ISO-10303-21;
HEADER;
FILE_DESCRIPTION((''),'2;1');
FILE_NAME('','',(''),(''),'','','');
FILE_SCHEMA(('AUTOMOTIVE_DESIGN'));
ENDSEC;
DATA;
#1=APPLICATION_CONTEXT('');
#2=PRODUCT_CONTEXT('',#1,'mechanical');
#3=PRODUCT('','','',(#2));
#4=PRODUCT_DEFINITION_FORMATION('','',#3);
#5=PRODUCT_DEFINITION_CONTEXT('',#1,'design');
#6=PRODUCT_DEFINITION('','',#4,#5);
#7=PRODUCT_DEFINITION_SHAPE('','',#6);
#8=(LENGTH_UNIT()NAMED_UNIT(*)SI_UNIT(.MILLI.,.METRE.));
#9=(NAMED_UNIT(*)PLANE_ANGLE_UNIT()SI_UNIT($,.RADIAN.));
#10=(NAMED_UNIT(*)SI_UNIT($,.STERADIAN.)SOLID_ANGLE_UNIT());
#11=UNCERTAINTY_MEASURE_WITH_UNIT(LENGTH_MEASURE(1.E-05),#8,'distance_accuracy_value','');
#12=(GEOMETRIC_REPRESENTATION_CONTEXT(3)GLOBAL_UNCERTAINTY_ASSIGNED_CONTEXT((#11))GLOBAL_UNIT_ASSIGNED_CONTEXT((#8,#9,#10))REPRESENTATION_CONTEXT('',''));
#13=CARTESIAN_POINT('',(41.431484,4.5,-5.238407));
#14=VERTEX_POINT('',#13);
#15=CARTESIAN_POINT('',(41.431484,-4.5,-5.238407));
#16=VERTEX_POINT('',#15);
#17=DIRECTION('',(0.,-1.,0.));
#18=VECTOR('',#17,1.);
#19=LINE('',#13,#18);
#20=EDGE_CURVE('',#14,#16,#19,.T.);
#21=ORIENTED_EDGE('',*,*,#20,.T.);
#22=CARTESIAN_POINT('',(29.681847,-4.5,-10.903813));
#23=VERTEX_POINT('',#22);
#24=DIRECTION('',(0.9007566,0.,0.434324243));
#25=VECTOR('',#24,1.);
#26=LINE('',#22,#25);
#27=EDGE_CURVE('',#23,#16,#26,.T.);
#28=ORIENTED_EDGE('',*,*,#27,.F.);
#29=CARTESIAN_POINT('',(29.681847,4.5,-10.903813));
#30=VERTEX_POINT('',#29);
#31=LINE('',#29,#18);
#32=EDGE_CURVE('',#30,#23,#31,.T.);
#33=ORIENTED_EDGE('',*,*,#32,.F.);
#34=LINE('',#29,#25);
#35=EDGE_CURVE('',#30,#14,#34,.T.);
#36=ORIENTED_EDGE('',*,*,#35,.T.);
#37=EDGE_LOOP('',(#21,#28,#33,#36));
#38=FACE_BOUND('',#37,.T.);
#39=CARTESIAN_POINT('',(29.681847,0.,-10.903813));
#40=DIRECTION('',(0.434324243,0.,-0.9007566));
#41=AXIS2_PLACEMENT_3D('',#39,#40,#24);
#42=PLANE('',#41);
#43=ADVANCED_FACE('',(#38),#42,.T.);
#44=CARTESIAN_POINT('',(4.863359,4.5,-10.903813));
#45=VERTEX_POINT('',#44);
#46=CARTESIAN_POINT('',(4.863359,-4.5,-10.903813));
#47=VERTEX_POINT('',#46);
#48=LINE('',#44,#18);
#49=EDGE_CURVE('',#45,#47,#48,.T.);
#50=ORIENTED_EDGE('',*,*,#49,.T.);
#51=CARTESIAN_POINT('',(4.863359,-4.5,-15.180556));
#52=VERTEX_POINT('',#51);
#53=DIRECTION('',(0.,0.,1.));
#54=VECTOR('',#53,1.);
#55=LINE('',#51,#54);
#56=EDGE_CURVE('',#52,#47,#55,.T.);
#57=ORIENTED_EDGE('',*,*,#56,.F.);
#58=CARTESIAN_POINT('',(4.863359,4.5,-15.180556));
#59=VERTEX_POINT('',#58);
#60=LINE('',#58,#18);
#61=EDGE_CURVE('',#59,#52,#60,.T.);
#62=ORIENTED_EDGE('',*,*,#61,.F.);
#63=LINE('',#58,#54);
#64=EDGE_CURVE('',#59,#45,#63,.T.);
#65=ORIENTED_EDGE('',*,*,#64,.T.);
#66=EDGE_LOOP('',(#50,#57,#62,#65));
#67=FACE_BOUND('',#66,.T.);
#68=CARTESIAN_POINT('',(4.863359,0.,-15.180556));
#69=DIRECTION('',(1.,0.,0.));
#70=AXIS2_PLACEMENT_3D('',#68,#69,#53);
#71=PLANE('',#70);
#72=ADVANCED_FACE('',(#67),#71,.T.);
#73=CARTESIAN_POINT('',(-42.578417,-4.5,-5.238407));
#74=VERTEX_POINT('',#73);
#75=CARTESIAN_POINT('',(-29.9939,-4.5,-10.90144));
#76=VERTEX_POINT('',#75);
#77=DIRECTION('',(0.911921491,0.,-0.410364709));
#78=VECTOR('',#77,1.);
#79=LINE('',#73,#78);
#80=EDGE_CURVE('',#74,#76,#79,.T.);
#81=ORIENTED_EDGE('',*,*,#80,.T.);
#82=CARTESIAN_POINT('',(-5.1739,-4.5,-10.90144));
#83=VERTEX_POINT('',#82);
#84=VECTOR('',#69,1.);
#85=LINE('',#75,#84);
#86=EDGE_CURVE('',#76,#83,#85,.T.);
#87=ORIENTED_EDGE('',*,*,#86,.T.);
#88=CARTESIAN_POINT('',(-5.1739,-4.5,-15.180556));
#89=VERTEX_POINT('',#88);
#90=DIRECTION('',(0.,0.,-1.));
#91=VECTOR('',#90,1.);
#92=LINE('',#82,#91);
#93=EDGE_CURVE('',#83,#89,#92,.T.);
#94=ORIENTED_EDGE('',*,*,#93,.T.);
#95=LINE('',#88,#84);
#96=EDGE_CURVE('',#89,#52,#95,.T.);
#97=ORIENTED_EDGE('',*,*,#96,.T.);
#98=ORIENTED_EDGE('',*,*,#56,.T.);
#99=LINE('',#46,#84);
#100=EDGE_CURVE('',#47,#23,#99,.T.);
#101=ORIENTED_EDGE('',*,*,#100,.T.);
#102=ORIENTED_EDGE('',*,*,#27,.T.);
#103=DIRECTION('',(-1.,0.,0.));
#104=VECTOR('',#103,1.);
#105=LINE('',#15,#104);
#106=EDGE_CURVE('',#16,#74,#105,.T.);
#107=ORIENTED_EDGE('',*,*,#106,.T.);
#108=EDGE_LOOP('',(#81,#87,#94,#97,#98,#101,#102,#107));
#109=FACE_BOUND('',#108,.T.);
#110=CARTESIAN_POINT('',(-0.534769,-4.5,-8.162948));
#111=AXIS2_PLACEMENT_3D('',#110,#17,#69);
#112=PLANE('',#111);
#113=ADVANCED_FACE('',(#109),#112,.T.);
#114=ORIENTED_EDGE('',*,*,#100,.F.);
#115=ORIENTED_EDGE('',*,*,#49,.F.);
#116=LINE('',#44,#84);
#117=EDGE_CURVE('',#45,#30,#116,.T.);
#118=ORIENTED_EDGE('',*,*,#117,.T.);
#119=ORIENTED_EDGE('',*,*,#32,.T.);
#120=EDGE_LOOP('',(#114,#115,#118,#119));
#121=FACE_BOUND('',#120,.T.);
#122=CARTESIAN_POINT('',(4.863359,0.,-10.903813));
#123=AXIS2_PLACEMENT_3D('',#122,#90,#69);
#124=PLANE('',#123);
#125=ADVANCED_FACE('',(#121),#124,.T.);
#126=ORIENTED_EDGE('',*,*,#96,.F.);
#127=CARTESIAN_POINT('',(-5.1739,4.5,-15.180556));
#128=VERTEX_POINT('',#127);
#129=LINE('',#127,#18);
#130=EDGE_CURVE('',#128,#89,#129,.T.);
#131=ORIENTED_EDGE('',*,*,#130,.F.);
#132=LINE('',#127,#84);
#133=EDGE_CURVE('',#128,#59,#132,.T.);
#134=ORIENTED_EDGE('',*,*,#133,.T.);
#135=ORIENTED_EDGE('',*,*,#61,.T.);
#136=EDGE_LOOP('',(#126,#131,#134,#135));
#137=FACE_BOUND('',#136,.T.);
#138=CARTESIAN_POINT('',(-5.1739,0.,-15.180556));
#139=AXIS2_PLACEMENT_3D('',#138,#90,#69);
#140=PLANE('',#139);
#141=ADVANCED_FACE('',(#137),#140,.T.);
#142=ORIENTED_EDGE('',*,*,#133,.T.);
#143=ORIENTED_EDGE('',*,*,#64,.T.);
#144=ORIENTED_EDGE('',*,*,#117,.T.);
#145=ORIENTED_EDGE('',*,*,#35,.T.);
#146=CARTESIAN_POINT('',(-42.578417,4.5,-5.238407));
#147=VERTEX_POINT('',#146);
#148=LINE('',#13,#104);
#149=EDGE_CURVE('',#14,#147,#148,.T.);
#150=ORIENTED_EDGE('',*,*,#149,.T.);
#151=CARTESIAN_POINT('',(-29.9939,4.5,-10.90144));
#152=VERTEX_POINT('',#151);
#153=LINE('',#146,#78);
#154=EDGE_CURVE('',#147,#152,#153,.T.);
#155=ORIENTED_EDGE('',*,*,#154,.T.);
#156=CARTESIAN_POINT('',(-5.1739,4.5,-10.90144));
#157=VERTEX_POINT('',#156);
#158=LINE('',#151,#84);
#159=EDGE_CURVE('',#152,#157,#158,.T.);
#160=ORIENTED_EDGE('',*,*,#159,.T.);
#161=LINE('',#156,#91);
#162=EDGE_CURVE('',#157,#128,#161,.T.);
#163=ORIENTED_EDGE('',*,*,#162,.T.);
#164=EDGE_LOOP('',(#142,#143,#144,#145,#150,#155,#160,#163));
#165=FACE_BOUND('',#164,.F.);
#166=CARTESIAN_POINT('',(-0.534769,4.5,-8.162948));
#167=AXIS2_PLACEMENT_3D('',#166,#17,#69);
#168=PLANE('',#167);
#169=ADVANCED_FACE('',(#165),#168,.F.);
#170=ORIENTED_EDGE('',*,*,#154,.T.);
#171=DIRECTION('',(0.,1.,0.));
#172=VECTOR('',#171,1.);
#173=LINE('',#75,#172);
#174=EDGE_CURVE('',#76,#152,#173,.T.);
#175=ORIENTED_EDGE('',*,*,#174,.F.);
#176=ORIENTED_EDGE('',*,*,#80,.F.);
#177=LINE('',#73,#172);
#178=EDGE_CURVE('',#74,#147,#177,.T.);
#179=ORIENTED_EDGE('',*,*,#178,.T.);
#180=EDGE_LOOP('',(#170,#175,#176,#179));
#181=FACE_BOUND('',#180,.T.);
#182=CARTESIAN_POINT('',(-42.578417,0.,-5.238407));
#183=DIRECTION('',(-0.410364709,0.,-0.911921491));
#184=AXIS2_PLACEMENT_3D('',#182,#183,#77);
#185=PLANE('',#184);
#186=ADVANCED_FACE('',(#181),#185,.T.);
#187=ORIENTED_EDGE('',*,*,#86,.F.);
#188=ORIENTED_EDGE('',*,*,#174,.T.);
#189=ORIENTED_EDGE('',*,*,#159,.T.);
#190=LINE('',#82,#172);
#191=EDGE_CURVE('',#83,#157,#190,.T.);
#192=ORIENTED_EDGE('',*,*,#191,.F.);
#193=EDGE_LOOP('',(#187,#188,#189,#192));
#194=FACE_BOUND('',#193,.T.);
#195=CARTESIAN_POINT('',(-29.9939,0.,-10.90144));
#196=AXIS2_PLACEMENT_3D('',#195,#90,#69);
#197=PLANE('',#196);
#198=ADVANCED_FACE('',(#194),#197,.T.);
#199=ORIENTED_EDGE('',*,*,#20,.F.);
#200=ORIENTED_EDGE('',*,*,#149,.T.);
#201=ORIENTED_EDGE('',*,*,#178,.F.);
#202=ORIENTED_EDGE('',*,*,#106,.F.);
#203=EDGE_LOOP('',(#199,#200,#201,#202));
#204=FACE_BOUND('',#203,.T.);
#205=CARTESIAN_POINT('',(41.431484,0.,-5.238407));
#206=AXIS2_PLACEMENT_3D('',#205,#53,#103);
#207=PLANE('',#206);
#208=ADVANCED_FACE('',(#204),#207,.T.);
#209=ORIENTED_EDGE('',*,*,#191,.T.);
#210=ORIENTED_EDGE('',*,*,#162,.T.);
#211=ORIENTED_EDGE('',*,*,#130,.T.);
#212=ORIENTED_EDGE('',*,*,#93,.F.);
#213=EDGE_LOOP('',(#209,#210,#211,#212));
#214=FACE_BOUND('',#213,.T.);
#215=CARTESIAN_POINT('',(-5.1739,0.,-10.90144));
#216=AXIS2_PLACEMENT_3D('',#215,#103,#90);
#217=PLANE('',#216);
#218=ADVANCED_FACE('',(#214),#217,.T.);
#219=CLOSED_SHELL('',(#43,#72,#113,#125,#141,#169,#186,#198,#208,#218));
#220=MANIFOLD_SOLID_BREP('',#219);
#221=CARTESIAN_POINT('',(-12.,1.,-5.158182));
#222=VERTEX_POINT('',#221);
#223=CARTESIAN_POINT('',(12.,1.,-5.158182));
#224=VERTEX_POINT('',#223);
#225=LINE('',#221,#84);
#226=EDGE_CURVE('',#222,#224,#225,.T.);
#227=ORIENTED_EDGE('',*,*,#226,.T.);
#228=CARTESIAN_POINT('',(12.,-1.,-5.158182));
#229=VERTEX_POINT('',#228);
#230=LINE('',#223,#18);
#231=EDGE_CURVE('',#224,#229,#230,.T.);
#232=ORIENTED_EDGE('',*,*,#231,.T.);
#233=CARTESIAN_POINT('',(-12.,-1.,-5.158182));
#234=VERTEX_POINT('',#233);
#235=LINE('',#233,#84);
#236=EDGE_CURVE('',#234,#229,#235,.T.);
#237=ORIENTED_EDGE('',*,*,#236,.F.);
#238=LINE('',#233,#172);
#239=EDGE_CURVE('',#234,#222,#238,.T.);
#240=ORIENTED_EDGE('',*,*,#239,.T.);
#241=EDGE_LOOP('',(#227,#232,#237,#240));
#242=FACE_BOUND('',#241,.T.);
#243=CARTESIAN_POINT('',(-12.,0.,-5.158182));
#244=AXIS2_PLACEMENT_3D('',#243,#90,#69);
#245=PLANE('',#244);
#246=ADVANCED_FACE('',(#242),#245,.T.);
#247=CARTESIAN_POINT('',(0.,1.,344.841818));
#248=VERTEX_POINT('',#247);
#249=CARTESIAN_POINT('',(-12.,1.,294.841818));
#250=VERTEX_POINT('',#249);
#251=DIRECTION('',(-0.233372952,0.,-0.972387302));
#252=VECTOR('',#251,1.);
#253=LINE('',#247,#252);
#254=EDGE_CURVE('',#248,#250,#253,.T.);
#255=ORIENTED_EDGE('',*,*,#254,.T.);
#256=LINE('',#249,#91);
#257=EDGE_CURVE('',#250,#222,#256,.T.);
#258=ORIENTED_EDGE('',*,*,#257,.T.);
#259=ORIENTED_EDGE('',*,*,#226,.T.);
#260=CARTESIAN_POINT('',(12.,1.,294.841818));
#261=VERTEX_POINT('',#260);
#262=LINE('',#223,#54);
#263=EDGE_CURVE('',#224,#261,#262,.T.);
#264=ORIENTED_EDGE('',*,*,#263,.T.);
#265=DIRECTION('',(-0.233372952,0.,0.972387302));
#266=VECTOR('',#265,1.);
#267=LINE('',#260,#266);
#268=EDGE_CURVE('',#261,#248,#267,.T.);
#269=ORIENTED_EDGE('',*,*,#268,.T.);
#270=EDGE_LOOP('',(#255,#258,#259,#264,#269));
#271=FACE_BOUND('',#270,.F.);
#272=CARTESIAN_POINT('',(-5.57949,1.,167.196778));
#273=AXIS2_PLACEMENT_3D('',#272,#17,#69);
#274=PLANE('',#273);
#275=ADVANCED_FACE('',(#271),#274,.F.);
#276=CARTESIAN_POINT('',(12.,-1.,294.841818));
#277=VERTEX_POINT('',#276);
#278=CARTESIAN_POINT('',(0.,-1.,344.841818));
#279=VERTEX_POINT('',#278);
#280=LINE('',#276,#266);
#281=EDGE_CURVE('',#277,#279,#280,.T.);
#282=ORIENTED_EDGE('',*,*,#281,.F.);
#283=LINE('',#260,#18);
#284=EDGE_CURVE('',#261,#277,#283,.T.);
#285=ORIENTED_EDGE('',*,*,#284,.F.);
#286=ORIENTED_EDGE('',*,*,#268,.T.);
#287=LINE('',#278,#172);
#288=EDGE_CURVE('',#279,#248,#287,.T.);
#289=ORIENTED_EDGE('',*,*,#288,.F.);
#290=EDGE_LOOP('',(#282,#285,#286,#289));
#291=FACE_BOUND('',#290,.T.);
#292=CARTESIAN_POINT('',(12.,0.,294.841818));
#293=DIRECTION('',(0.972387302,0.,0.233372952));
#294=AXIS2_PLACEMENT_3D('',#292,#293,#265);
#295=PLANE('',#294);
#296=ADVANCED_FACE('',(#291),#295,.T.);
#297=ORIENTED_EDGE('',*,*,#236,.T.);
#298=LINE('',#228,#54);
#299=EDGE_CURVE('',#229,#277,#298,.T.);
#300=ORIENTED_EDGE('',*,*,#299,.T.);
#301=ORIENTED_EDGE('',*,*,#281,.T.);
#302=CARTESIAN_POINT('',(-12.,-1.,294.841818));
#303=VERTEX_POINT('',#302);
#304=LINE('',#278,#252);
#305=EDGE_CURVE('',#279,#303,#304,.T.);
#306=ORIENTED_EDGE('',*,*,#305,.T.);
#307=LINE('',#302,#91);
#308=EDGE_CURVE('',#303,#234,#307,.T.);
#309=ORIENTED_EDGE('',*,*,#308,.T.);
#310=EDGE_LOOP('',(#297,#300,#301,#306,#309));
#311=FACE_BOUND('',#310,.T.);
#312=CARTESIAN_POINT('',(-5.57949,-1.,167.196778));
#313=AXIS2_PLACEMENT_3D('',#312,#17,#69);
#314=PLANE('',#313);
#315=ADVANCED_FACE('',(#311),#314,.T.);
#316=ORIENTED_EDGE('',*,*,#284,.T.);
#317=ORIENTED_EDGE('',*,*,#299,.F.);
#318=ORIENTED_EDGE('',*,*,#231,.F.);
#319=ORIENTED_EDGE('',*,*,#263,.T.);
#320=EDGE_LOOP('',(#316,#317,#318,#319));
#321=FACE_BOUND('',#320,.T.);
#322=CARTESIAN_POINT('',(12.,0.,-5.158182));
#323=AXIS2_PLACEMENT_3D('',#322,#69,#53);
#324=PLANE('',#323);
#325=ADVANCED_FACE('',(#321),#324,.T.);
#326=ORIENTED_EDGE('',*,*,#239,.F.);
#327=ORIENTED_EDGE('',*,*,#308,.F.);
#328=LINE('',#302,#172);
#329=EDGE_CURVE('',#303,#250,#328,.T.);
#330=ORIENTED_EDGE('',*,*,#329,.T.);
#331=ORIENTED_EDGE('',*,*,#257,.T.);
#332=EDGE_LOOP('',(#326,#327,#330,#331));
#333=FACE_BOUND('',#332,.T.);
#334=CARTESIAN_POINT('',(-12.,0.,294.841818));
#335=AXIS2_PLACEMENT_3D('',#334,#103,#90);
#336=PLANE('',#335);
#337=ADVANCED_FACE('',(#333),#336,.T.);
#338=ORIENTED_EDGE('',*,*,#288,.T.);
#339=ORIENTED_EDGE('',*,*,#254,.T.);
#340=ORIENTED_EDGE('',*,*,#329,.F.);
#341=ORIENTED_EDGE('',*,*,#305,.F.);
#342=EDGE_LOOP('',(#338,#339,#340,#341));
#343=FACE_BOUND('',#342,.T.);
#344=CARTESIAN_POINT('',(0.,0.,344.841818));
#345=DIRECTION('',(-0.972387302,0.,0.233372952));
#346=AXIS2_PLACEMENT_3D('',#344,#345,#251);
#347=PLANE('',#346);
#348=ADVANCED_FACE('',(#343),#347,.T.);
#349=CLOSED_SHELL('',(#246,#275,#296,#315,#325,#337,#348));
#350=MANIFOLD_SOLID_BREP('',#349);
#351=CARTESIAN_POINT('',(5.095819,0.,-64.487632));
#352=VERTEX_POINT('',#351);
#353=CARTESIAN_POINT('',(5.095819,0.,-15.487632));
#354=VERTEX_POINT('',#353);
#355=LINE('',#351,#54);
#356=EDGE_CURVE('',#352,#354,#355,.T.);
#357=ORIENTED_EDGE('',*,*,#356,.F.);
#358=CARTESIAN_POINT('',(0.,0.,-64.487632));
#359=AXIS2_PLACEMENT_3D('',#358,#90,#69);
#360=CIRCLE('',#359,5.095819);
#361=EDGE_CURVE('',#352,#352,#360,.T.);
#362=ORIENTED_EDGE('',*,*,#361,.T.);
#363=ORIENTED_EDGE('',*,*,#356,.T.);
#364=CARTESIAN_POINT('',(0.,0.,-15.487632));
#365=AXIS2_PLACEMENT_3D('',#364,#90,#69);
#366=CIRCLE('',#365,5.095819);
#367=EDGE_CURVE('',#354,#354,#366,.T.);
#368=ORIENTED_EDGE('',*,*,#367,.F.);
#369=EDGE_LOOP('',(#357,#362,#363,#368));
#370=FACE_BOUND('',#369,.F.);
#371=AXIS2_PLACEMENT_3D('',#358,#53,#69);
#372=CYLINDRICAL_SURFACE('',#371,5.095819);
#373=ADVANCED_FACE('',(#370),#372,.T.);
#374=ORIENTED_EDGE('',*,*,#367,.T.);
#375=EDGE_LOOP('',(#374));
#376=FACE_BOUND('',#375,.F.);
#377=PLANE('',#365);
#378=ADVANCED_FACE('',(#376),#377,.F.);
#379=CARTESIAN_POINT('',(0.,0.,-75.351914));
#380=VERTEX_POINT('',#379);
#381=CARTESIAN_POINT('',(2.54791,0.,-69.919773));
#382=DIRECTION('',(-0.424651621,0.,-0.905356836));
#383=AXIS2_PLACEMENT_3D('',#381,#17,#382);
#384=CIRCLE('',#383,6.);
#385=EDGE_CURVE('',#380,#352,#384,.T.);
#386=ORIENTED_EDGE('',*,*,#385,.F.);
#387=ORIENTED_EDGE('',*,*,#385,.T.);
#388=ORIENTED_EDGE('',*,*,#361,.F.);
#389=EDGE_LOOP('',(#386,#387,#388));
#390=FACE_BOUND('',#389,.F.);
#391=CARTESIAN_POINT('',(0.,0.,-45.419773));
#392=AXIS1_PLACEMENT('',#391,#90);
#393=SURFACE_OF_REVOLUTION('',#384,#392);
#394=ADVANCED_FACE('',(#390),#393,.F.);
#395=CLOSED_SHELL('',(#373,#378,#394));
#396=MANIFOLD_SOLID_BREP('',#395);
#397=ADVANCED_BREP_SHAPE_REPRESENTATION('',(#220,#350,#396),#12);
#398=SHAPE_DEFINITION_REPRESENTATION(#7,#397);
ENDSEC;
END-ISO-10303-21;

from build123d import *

# Parameters (mm, degrees)
F3_DEPTH      = 4.5
F3_DEPTH_BACK = 4.5
F5_DEPTH      = 1
F5_DEPTH_BACK = 1


with BuildPart() as f1:
    # F0 (on Front) → F1 (revolve)
    with BuildSketch(Plane.XZ):
        with BuildLine():
            Line((0, -64.4876323845), (0, -75.3519144174))
            ThreePointArc((0, -75.3519144174), (7.9800507436, -72.467683128), (5.0958194542, -64.4876323845))
            Line((5.0958194542, -64.4876323845), (0, -64.4876323845))
        make_face()
        with BuildLine():
            Line((0, -64.4876323845), (5.0958194542, -64.4876323845))
            ThreePointArc((5.0958194542, -64.4876323845), (2.5479097271, -63.9197734009), (0, -64.4876323845))
        make_face()
        with BuildLine():
            ThreePointArc((0, -64.4876323845), (2.5479097271, -63.9197734009), (5.0958194542, -64.4876323845))
            Line((5.0958194542, -64.4876323845), (5.0958194542, -15.4876323845))
            Line((5.0958194542, -15.4876323845), (0, -15.4876323845))
            Line((0, -15.4876323845), (0, -64.4876323845))
        make_face()
    revolve(axis=Axis((0, 0, -45.4197734009), (0, 0, -1)))


with BuildPart() as f3:
    # F2 (on Front) → F3 (new body, two sides)
    with BuildSketch(Plane.XZ) as f3_sk:
        Polygon((-5.1739003011, -10.9014402741), (-5.1739003011, -15.1805564427), (4.8633588309, -15.1805564427), (4.8633588309, -10.9038133803), (29.6818474308, -10.9038133803), (41.4314838126, -5.2384072915), (-42.5784168765, -5.2384072915), (-29.9939003011, -10.9014402741), align=None)
    extrude(amount=F3_DEPTH)
    extrude(f3_sk.sketch, amount=-F3_DEPTH_BACK)


with BuildPart() as f5:
    # F4 (on Front) → F5 (new body, two sides)
    with BuildSketch(Plane.XZ) as f5_sk:
        Polygon((-12, -5.1581816573), (0, -5.1581816573), (0, 344.8418183427), (-12, 294.8418183427), align=None)
        Polygon((0, 344.8418183427), (0, -5.1581816573), (12, -5.1581816573), (12, 294.8418183427), align=None)
    extrude(amount=F5_DEPTH)
    extrude(f5_sk.sketch, amount=-F5_DEPTH_BACK)


solid = Compound([f1.part, f3.part, f5.part])
